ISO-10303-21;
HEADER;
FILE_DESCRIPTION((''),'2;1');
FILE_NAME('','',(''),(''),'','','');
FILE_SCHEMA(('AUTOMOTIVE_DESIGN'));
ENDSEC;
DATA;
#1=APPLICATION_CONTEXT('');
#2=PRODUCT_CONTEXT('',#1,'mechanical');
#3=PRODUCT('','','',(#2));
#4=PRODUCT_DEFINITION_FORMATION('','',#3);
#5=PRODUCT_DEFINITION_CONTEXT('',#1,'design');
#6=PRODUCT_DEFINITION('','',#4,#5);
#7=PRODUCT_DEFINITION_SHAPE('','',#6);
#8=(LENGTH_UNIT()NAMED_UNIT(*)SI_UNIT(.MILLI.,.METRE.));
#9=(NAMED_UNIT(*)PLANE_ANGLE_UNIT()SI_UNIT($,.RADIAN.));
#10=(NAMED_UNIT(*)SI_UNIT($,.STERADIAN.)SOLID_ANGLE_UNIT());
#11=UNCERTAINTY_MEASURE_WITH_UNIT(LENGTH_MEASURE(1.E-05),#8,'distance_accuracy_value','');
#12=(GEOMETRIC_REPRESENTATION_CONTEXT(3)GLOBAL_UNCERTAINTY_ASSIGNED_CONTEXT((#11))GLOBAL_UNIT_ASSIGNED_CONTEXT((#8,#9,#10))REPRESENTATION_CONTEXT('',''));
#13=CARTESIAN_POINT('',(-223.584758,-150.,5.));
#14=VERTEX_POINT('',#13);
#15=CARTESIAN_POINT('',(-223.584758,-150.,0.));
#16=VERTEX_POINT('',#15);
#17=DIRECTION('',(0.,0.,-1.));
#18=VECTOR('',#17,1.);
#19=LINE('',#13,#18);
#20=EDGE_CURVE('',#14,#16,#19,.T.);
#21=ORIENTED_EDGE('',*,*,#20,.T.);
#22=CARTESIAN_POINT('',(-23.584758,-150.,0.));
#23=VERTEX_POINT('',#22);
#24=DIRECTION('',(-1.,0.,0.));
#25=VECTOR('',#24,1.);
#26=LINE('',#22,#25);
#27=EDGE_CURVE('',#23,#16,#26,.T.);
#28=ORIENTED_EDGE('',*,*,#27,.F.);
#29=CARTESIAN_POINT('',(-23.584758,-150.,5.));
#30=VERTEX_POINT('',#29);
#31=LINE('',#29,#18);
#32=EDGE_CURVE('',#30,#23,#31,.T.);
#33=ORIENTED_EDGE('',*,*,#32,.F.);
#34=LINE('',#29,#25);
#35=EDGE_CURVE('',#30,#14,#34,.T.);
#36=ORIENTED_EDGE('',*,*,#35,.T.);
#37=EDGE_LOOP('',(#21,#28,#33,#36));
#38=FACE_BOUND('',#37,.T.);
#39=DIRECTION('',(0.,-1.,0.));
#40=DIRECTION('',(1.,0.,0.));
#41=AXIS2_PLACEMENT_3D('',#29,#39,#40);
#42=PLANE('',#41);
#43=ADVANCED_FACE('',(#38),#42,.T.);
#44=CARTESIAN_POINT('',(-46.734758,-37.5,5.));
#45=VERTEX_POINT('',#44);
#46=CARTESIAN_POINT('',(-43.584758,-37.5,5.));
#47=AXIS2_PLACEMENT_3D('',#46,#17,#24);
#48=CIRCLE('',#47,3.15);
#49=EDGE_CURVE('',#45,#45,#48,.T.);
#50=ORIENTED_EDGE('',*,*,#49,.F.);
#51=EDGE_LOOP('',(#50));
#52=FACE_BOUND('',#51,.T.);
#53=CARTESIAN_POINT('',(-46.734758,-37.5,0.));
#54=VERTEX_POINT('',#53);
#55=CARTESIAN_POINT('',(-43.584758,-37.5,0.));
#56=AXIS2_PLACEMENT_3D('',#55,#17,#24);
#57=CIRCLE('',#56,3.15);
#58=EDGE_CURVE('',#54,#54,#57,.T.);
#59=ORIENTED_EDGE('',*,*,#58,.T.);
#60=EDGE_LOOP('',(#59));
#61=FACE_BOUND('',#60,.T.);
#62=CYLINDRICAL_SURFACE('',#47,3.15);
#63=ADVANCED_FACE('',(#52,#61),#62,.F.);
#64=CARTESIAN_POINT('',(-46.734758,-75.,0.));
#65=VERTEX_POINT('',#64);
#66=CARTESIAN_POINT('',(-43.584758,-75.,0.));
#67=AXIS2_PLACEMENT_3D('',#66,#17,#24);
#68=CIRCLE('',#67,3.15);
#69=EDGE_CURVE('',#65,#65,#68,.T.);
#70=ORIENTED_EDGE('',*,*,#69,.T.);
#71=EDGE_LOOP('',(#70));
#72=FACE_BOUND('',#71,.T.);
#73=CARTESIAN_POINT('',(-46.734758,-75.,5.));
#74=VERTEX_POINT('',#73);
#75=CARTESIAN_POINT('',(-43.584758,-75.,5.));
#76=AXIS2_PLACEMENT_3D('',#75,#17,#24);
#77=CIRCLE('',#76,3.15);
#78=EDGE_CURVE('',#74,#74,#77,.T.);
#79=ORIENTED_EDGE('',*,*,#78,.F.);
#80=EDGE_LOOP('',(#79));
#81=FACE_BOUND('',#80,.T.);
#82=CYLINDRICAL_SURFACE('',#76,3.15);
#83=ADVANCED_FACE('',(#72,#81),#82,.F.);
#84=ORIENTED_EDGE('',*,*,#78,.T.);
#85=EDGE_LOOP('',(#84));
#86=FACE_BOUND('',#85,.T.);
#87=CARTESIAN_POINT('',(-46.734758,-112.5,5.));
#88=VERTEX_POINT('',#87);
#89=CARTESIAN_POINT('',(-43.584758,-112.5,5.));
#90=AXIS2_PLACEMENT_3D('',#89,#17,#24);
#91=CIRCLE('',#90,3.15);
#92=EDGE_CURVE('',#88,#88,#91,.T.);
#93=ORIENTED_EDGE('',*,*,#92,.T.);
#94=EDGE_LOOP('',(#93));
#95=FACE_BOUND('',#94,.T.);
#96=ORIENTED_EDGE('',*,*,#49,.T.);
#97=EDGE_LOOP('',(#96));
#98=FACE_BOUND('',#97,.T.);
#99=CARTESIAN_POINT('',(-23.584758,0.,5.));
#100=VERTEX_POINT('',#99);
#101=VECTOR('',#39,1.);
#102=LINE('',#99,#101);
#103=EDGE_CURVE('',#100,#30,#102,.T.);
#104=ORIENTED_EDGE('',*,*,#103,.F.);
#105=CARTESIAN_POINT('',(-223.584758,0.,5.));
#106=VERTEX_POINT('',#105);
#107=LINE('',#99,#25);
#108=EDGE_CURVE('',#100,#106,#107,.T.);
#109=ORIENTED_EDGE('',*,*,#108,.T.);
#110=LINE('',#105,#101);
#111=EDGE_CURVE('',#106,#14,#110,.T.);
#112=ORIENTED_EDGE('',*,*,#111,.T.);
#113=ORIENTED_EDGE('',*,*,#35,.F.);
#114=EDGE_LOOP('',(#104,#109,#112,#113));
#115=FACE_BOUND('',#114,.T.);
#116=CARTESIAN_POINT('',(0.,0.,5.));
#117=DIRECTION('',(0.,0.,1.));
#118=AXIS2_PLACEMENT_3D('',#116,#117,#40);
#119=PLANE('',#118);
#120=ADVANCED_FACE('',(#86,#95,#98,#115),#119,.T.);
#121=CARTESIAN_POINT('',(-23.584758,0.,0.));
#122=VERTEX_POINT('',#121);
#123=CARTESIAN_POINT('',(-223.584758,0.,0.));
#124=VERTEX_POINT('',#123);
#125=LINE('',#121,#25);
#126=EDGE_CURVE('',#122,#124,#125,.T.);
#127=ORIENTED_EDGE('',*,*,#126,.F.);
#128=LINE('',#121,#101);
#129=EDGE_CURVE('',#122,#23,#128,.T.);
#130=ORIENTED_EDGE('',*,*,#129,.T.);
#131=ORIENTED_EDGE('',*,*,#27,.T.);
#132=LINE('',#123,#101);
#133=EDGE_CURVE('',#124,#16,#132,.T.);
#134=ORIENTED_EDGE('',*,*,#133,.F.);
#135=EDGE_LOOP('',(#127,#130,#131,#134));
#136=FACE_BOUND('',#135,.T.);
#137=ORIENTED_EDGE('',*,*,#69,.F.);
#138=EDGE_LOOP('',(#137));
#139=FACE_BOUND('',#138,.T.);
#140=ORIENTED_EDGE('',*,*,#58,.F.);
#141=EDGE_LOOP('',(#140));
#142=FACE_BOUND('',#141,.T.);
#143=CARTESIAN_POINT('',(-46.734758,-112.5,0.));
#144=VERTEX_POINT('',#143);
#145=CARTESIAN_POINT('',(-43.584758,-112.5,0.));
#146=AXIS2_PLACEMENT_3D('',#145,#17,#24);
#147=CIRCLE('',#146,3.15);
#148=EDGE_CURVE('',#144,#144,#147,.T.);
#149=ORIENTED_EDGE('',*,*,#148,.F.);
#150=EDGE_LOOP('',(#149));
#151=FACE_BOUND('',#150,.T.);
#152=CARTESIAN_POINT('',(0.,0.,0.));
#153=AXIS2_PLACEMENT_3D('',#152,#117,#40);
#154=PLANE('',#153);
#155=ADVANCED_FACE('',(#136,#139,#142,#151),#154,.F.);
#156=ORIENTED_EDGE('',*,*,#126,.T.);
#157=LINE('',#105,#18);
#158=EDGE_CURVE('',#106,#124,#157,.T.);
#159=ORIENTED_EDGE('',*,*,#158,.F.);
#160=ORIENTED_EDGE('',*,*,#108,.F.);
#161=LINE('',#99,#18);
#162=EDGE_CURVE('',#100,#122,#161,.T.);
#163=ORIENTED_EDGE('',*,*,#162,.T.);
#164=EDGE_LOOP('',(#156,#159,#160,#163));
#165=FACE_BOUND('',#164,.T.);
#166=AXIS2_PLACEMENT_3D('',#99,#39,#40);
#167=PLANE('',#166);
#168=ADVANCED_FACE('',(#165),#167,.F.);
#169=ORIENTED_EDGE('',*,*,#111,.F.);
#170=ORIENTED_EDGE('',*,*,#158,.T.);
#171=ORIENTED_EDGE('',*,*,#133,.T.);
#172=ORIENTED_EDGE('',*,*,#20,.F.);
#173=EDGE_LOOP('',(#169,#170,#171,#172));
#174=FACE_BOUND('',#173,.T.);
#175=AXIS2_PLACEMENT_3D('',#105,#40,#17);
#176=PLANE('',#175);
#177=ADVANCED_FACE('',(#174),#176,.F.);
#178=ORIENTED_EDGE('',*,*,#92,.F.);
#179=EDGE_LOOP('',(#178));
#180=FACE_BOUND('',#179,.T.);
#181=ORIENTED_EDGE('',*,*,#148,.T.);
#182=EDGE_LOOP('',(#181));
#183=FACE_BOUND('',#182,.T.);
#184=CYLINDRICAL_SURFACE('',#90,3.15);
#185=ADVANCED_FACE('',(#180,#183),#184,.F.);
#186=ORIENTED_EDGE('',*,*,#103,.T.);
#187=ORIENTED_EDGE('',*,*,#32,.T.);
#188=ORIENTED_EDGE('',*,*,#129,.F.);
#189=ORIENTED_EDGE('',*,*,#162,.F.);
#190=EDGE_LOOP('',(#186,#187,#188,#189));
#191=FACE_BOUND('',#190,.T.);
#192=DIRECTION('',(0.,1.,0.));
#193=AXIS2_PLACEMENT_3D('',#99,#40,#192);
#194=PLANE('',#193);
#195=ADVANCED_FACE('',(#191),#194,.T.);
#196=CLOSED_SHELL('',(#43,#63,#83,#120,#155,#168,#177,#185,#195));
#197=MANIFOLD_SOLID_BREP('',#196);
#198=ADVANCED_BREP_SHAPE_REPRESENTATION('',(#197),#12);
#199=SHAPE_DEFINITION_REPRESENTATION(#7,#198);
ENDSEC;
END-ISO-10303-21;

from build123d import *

# Parameters (mm, degrees)
SKETCH2_W           = 200
SKETCH2_H           = 150
BOSS_EXTRUDE1_DEPTH = 5
SKETCH3_R           = 3.15
CUT_EXTRUDE1_DEPTH  = 5


with BuildPart() as part:
    # Sketch2 → Boss-Extrude1 (new body)
    with BuildSketch(Plane.XY):
        with Locations((-123.584758496, -75)):
            Rectangle(SKETCH2_W, SKETCH2_H)
    extrude(amount=BOSS_EXTRUDE1_DEPTH)

    # Sketch3 → Cut-Extrude1 (cut)
    with BuildSketch(Plane(origin=(0, 0, 0), x_dir=(-1, 0, 0), z_dir=(0, 0, -1))):
        with Locations((43.584758496, -37.5)):
            Circle(SKETCH3_R)
        with Locations((43.584758496, -75)):
            Circle(SKETCH3_R)
        with Locations((43.584758496, -112.5)):
            Circle(SKETCH3_R)
    extrude(amount=-CUT_EXTRUDE1_DEPTH, mode=Mode.SUBTRACT)


solid = part.part
